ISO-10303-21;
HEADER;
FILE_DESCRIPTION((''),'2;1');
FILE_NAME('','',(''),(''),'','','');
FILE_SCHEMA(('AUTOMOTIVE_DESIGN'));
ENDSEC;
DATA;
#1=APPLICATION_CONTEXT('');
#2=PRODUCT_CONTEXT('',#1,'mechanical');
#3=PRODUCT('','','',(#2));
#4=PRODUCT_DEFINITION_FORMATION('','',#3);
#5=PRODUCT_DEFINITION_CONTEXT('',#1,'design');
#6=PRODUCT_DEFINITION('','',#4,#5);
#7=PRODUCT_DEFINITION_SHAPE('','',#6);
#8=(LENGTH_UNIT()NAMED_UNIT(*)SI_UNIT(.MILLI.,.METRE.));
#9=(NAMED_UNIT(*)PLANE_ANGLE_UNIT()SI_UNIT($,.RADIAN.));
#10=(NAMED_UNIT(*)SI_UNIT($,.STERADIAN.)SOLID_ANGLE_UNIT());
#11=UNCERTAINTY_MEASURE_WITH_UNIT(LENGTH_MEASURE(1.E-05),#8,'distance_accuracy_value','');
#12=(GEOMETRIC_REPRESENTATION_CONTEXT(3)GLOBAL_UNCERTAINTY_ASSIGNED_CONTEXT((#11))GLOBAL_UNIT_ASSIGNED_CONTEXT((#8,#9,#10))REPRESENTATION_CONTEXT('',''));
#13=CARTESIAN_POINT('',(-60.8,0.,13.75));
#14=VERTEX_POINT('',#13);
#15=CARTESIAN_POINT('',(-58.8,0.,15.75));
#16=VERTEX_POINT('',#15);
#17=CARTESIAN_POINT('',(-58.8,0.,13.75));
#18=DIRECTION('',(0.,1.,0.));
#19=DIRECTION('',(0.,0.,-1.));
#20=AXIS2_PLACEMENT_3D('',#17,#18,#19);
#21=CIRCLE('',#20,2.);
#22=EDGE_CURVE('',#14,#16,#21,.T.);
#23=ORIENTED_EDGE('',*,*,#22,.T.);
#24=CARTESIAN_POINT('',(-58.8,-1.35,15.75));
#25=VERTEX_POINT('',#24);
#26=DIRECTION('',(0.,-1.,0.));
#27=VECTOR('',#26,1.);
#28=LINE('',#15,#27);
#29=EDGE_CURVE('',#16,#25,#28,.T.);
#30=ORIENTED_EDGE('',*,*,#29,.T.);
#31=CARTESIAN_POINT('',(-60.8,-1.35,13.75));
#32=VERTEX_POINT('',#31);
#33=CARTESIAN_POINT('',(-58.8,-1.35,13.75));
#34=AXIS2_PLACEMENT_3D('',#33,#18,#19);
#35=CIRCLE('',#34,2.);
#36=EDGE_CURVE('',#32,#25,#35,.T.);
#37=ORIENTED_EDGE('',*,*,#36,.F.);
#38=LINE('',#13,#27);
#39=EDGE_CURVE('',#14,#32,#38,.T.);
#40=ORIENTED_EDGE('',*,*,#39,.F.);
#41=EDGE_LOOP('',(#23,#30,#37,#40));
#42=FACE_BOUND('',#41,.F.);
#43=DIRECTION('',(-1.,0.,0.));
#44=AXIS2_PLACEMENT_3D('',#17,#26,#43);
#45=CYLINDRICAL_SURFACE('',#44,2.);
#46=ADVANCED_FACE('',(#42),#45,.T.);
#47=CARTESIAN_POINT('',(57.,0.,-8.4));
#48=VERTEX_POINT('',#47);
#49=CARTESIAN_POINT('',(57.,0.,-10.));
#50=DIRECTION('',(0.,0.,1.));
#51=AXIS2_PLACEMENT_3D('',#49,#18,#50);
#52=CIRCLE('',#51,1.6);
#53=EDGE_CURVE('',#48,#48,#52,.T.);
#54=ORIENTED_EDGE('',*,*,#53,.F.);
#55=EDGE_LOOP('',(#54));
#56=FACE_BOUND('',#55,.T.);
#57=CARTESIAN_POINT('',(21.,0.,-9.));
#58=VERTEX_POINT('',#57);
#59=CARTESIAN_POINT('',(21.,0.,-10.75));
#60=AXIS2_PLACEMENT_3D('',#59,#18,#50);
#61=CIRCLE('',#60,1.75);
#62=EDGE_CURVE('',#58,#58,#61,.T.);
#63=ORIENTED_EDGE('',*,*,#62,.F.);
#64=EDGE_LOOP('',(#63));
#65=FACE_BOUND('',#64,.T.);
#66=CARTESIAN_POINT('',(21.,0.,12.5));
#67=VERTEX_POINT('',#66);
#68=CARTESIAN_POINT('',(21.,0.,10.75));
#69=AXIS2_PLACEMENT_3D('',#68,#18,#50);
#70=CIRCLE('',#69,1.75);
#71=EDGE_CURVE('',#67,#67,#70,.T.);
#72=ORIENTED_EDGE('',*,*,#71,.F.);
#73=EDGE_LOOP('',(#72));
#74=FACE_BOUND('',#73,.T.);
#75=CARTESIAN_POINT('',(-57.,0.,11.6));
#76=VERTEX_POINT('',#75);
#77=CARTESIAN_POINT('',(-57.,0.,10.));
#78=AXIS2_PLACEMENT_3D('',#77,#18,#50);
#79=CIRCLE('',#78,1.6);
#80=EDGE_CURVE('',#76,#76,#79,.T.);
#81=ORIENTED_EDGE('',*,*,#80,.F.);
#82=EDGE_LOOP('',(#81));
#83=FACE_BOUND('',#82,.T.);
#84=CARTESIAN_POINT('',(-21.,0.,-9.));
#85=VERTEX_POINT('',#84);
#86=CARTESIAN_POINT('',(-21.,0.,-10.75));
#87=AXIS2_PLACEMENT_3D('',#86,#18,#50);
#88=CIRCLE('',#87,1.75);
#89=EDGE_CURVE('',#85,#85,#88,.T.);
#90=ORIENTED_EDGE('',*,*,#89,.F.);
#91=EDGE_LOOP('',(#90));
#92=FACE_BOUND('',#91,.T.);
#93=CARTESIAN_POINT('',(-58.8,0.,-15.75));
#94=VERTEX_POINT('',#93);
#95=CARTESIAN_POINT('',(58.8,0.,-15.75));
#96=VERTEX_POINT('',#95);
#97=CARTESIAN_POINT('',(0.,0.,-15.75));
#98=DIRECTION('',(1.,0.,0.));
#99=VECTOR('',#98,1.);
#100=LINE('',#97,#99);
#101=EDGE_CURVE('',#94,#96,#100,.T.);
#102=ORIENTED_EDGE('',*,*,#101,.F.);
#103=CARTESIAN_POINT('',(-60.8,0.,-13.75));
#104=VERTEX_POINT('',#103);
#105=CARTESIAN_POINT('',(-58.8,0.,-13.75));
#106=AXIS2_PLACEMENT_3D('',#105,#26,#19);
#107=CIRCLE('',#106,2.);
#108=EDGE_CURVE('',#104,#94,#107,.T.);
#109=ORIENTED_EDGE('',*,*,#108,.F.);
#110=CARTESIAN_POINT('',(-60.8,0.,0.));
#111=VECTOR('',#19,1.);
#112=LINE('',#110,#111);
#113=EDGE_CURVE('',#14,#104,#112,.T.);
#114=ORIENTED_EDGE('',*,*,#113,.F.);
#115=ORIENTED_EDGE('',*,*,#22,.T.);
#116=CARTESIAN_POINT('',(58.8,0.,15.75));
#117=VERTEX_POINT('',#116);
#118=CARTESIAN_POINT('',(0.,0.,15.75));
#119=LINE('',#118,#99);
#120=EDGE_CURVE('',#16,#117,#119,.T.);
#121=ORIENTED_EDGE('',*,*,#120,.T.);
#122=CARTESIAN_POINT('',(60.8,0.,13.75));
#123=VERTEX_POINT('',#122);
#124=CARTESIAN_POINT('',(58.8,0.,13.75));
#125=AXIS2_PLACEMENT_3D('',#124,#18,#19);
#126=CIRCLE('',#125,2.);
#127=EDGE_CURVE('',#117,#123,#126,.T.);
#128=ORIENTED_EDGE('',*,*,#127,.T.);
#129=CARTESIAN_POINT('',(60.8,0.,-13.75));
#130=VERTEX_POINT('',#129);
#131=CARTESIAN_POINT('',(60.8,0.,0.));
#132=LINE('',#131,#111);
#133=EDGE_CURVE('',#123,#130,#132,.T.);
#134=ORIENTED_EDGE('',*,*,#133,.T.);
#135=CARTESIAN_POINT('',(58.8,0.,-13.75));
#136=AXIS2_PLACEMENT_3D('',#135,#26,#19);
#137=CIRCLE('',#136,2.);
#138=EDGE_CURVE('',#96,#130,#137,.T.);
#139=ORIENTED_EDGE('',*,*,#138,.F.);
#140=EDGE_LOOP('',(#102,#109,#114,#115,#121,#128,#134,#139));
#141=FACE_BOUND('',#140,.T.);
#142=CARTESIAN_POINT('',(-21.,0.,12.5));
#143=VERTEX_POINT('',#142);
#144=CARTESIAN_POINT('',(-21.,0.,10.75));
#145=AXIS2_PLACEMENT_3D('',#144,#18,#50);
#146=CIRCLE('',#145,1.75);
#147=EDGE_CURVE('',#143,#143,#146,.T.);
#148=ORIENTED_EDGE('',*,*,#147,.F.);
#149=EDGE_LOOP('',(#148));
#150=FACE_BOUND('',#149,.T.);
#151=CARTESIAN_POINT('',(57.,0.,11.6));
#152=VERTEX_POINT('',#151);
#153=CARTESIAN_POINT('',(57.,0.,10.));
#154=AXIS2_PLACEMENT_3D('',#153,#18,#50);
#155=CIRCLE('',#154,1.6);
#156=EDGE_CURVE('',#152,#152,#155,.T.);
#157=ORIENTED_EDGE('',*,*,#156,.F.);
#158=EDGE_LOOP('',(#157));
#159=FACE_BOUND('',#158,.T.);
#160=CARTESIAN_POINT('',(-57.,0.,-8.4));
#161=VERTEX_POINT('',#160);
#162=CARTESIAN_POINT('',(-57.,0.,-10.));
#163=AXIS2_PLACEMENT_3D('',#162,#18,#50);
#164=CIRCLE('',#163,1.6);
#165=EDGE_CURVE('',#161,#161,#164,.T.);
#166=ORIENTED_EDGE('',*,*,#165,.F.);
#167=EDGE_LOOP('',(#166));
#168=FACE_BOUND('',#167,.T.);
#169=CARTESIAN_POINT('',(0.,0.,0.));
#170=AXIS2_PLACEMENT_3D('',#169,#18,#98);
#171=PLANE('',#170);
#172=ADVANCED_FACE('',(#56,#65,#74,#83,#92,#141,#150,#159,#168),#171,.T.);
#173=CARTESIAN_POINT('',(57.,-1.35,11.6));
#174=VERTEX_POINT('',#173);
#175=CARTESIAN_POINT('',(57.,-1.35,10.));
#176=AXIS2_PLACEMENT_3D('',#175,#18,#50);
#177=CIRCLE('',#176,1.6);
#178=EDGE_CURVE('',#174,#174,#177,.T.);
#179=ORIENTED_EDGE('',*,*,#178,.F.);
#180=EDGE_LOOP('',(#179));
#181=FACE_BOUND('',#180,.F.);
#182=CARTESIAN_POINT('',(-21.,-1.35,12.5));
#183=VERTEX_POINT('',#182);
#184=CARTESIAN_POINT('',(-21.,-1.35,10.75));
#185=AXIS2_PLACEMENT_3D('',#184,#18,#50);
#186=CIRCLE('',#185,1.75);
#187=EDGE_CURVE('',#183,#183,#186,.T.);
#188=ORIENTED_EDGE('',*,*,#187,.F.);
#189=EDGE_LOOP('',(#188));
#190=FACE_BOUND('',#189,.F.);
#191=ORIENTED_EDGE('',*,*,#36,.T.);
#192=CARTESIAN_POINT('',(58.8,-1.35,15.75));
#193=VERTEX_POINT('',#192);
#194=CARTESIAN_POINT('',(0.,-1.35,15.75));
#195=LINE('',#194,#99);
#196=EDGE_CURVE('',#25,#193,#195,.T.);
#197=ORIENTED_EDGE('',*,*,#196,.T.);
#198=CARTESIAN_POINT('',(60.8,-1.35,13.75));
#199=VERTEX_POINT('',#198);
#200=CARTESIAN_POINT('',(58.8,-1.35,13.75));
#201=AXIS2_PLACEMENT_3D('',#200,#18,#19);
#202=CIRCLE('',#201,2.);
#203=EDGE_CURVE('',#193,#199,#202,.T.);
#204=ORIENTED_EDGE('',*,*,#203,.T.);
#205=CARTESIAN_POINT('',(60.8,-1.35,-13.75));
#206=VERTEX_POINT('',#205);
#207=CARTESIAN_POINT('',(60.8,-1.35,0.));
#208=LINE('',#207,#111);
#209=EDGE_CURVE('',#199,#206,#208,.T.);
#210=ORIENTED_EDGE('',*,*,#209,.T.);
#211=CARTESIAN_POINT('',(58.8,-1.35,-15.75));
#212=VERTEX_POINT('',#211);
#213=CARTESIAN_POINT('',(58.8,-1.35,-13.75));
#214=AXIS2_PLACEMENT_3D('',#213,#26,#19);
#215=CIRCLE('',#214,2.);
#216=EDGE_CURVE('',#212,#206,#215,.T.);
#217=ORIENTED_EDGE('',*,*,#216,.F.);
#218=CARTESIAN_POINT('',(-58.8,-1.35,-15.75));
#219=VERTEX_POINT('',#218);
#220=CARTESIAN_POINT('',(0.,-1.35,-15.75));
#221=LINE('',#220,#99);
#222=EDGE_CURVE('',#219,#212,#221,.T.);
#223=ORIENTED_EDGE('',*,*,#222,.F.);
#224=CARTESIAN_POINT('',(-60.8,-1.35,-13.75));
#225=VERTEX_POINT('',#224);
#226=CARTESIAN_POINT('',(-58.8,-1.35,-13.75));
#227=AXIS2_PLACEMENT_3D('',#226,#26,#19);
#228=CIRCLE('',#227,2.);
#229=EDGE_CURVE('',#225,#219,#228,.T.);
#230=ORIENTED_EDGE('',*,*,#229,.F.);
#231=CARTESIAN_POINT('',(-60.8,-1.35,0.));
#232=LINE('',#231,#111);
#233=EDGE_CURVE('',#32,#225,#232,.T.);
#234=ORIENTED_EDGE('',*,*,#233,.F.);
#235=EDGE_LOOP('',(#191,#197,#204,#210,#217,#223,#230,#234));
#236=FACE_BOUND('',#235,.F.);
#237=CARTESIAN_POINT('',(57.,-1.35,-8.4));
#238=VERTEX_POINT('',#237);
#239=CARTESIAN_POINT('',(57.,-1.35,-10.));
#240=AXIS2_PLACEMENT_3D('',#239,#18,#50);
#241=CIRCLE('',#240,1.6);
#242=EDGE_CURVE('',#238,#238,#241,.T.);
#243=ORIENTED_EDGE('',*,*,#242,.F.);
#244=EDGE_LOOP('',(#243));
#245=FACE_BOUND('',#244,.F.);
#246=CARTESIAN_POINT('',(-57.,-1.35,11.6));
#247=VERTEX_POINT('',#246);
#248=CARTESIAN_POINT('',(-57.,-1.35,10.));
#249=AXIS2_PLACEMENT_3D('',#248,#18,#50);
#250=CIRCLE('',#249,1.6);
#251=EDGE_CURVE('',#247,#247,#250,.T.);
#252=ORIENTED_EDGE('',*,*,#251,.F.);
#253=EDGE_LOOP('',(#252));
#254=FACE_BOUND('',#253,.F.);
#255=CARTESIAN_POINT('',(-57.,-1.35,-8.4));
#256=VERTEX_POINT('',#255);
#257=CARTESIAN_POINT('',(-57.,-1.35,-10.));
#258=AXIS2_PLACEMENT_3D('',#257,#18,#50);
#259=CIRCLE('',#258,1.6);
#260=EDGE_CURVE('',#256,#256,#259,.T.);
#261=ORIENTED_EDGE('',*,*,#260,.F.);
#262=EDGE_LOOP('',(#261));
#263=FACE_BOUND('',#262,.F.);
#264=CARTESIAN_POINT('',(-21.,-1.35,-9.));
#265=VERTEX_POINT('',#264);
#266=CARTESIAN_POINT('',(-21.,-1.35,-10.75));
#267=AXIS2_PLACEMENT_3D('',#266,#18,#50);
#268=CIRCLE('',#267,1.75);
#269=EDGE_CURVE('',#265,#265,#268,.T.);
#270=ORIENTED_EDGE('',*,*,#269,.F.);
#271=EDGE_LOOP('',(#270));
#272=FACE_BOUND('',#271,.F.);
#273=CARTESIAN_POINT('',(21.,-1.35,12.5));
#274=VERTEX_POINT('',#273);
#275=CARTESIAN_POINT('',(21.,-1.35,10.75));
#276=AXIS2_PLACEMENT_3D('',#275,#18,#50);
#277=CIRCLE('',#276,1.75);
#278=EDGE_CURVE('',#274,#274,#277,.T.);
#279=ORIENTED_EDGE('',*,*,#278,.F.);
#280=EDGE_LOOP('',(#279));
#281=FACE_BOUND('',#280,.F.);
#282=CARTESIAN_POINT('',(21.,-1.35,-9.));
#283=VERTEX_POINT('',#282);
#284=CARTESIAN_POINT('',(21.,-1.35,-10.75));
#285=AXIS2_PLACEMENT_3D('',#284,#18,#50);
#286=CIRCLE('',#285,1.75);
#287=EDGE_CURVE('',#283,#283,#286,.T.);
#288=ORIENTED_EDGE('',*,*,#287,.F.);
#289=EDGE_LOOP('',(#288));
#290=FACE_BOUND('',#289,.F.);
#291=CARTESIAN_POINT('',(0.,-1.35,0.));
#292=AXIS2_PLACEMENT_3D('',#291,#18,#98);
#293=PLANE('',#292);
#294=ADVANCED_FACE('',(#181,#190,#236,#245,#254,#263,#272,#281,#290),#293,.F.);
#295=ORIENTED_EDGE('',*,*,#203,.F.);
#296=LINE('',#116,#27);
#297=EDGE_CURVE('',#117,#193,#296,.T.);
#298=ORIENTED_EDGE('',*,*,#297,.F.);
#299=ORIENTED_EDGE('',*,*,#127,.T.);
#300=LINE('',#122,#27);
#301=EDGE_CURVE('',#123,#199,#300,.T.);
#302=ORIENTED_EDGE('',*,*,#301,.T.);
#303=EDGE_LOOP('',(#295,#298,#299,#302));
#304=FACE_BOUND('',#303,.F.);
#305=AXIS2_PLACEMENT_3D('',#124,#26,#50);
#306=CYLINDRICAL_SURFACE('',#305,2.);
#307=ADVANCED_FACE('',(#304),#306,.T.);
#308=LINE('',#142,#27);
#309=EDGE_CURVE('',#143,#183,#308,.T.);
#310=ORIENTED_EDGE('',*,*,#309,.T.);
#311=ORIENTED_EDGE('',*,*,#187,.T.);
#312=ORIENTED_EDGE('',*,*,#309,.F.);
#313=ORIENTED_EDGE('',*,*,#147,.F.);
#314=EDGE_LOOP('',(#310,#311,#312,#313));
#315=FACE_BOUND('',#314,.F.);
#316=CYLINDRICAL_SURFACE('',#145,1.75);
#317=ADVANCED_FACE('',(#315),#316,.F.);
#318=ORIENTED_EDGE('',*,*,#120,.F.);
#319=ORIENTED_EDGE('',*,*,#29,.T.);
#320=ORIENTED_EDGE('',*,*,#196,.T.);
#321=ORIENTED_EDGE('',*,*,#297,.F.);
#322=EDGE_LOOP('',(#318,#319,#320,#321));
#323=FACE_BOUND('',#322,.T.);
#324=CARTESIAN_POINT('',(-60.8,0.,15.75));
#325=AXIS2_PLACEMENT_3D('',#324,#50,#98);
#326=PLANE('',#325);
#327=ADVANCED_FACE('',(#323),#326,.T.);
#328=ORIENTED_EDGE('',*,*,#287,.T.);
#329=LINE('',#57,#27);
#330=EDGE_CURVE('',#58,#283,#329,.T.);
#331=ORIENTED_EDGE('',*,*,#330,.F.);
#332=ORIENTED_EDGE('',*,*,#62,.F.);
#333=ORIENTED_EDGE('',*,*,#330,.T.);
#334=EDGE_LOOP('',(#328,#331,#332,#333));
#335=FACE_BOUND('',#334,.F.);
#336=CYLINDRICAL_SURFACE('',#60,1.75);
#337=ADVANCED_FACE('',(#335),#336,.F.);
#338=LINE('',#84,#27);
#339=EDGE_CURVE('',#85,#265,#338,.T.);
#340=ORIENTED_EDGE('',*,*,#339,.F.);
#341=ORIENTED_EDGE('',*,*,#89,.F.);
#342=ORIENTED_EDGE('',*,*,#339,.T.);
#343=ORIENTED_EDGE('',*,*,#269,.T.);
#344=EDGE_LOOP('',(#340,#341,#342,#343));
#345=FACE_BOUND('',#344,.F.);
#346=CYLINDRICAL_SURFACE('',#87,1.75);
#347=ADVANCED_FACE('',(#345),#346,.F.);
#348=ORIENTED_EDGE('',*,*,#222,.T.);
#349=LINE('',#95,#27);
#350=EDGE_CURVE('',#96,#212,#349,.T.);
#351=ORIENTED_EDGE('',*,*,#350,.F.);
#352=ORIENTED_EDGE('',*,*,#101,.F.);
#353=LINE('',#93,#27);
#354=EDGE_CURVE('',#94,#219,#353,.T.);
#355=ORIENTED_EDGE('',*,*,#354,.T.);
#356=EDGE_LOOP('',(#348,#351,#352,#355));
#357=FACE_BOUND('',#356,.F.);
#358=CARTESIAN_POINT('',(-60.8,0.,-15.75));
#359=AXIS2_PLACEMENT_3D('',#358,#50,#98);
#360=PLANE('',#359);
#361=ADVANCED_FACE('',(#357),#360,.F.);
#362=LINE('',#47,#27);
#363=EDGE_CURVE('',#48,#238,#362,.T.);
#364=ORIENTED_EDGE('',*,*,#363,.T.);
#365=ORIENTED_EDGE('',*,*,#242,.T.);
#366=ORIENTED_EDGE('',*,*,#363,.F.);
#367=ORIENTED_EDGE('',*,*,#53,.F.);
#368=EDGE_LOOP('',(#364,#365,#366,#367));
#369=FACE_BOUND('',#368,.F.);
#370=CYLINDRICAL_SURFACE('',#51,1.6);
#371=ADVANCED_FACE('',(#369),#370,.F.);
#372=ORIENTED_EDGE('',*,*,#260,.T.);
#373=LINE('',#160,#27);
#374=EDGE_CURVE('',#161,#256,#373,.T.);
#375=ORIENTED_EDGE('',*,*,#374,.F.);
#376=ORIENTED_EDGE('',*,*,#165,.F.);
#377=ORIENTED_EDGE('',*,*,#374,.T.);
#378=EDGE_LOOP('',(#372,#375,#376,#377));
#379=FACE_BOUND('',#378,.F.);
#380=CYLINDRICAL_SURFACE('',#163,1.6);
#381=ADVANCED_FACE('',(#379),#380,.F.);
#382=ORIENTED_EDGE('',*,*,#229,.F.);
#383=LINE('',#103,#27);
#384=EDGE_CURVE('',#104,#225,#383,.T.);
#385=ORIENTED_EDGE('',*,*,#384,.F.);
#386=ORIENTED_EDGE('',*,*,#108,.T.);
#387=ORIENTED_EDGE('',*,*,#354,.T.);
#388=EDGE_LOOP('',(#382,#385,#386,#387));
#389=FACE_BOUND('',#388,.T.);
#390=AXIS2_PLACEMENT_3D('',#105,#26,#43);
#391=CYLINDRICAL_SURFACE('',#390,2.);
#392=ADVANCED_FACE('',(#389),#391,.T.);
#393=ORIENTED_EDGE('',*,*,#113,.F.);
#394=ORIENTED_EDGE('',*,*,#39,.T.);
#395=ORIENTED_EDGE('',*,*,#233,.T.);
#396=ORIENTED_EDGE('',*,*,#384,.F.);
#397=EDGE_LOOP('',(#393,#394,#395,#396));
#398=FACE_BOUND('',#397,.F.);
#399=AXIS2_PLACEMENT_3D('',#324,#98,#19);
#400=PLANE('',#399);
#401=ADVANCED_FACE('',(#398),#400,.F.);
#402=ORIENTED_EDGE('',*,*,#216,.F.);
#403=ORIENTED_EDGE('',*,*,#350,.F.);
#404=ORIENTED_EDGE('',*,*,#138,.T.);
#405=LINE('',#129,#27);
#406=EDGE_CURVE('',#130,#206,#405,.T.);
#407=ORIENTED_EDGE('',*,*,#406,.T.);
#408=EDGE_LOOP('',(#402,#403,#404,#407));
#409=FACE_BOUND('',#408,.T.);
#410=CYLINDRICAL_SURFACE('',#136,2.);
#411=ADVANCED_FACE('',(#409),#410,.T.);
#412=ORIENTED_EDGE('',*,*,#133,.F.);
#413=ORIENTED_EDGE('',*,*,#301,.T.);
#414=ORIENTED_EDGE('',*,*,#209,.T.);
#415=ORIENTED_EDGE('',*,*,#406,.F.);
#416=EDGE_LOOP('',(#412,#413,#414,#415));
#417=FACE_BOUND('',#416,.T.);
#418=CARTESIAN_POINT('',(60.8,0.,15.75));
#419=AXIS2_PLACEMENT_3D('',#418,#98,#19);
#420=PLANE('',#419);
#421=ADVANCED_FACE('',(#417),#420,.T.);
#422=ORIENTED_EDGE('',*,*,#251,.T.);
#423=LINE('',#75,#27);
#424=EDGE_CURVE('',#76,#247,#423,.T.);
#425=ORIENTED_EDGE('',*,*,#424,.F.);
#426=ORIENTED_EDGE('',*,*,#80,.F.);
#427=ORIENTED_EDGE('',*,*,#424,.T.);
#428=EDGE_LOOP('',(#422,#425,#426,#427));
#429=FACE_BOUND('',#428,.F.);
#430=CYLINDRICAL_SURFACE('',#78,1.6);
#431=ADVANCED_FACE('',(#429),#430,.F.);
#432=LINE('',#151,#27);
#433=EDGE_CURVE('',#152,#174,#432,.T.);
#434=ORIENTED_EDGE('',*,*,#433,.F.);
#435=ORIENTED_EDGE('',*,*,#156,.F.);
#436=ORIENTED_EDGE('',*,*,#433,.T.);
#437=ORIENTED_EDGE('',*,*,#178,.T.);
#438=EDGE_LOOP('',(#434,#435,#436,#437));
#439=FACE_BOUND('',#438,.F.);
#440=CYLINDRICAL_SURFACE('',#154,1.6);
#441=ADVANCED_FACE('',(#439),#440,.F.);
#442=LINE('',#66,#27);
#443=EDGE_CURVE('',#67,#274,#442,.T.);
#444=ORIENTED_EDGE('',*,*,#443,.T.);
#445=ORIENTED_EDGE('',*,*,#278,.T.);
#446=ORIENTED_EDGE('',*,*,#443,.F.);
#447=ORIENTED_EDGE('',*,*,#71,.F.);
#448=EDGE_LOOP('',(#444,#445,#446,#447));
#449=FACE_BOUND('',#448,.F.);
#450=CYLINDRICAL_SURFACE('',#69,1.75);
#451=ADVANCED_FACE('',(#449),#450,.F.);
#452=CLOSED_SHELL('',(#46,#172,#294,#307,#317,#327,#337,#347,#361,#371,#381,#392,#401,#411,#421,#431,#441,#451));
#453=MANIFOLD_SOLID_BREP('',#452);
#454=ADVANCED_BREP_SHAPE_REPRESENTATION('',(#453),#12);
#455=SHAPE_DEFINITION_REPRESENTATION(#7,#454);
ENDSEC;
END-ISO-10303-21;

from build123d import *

# Parameters (mm, degrees)
SKETCH2_W           = 121.6
SKETCH2_H           = 31.5
SKETCH2_R           = 1.6
BOSS_EXTRUDE1_DEPTH = 1.35
FILLET1_R           = 2
SKETCH3_R           = 1.75
CUT_EXTRUDE1_DEPTH  = 63.821373751


with BuildPart() as part:
    # Sketch2 → Boss-Extrude1 (new body)
    with BuildSketch(Plane(origin=(0, 0, 0), x_dir=(1, 0, 0), z_dir=(0, 1, 0))):
        Rectangle(SKETCH2_W, SKETCH2_H)
        with Locations(Location((-57, 10, 0), (0, 0, 270))):
            Circle(SKETCH2_R, mode=Mode.SUBTRACT)
        with Locations(Location((-57, -10, 0), (0, 0, 270))):
            Circle(SKETCH2_R, mode=Mode.SUBTRACT)
        with Locations(Location((57, 10, 0), (0, 0, 270))):
            Circle(SKETCH2_R, mode=Mode.SUBTRACT)
        with Locations(Location((57, -10, 0), (0, 0, 270))):
            Circle(SKETCH2_R, mode=Mode.SUBTRACT)
    extrude(amount=-BOSS_EXTRUDE1_DEPTH)

    # Fillet1
    fillet1_edges = [part.edges().sort_by_distance(p)[0] for p in [
        (-60.8, -0.675, -15.75),
        (60.8, -0.675, -15.75),
        (60.8, -0.675, 15.75),
        (-60.8, -0.675, 15.75),
    ]]
    fillet(fillet1_edges, radius=FILLET1_R)

    # Sketch3 → Cut-Extrude1 (cut, through all)
    with BuildSketch(Plane(origin=(0, 0, 0), x_dir=(1, 0, 0), z_dir=(0, 1, 0))):
        with Locations(Location((-21, -10.75, 0), (0, 0, 270))):
            Circle(SKETCH3_R)
        with Locations(Location((21, -10.75, 0), (0, 0, 270))):
            Circle(SKETCH3_R)
        with Locations(Location((21, 10.75, 0), (0, 0, 270))):
            Circle(SKETCH3_R)
        with Locations(Location((-21, 10.75, 0), (0, 0, 270))):
            Circle(SKETCH3_R)
    extrude(amount=-CUT_EXTRUDE1_DEPTH, mode=Mode.SUBTRACT)


solid = part.part
